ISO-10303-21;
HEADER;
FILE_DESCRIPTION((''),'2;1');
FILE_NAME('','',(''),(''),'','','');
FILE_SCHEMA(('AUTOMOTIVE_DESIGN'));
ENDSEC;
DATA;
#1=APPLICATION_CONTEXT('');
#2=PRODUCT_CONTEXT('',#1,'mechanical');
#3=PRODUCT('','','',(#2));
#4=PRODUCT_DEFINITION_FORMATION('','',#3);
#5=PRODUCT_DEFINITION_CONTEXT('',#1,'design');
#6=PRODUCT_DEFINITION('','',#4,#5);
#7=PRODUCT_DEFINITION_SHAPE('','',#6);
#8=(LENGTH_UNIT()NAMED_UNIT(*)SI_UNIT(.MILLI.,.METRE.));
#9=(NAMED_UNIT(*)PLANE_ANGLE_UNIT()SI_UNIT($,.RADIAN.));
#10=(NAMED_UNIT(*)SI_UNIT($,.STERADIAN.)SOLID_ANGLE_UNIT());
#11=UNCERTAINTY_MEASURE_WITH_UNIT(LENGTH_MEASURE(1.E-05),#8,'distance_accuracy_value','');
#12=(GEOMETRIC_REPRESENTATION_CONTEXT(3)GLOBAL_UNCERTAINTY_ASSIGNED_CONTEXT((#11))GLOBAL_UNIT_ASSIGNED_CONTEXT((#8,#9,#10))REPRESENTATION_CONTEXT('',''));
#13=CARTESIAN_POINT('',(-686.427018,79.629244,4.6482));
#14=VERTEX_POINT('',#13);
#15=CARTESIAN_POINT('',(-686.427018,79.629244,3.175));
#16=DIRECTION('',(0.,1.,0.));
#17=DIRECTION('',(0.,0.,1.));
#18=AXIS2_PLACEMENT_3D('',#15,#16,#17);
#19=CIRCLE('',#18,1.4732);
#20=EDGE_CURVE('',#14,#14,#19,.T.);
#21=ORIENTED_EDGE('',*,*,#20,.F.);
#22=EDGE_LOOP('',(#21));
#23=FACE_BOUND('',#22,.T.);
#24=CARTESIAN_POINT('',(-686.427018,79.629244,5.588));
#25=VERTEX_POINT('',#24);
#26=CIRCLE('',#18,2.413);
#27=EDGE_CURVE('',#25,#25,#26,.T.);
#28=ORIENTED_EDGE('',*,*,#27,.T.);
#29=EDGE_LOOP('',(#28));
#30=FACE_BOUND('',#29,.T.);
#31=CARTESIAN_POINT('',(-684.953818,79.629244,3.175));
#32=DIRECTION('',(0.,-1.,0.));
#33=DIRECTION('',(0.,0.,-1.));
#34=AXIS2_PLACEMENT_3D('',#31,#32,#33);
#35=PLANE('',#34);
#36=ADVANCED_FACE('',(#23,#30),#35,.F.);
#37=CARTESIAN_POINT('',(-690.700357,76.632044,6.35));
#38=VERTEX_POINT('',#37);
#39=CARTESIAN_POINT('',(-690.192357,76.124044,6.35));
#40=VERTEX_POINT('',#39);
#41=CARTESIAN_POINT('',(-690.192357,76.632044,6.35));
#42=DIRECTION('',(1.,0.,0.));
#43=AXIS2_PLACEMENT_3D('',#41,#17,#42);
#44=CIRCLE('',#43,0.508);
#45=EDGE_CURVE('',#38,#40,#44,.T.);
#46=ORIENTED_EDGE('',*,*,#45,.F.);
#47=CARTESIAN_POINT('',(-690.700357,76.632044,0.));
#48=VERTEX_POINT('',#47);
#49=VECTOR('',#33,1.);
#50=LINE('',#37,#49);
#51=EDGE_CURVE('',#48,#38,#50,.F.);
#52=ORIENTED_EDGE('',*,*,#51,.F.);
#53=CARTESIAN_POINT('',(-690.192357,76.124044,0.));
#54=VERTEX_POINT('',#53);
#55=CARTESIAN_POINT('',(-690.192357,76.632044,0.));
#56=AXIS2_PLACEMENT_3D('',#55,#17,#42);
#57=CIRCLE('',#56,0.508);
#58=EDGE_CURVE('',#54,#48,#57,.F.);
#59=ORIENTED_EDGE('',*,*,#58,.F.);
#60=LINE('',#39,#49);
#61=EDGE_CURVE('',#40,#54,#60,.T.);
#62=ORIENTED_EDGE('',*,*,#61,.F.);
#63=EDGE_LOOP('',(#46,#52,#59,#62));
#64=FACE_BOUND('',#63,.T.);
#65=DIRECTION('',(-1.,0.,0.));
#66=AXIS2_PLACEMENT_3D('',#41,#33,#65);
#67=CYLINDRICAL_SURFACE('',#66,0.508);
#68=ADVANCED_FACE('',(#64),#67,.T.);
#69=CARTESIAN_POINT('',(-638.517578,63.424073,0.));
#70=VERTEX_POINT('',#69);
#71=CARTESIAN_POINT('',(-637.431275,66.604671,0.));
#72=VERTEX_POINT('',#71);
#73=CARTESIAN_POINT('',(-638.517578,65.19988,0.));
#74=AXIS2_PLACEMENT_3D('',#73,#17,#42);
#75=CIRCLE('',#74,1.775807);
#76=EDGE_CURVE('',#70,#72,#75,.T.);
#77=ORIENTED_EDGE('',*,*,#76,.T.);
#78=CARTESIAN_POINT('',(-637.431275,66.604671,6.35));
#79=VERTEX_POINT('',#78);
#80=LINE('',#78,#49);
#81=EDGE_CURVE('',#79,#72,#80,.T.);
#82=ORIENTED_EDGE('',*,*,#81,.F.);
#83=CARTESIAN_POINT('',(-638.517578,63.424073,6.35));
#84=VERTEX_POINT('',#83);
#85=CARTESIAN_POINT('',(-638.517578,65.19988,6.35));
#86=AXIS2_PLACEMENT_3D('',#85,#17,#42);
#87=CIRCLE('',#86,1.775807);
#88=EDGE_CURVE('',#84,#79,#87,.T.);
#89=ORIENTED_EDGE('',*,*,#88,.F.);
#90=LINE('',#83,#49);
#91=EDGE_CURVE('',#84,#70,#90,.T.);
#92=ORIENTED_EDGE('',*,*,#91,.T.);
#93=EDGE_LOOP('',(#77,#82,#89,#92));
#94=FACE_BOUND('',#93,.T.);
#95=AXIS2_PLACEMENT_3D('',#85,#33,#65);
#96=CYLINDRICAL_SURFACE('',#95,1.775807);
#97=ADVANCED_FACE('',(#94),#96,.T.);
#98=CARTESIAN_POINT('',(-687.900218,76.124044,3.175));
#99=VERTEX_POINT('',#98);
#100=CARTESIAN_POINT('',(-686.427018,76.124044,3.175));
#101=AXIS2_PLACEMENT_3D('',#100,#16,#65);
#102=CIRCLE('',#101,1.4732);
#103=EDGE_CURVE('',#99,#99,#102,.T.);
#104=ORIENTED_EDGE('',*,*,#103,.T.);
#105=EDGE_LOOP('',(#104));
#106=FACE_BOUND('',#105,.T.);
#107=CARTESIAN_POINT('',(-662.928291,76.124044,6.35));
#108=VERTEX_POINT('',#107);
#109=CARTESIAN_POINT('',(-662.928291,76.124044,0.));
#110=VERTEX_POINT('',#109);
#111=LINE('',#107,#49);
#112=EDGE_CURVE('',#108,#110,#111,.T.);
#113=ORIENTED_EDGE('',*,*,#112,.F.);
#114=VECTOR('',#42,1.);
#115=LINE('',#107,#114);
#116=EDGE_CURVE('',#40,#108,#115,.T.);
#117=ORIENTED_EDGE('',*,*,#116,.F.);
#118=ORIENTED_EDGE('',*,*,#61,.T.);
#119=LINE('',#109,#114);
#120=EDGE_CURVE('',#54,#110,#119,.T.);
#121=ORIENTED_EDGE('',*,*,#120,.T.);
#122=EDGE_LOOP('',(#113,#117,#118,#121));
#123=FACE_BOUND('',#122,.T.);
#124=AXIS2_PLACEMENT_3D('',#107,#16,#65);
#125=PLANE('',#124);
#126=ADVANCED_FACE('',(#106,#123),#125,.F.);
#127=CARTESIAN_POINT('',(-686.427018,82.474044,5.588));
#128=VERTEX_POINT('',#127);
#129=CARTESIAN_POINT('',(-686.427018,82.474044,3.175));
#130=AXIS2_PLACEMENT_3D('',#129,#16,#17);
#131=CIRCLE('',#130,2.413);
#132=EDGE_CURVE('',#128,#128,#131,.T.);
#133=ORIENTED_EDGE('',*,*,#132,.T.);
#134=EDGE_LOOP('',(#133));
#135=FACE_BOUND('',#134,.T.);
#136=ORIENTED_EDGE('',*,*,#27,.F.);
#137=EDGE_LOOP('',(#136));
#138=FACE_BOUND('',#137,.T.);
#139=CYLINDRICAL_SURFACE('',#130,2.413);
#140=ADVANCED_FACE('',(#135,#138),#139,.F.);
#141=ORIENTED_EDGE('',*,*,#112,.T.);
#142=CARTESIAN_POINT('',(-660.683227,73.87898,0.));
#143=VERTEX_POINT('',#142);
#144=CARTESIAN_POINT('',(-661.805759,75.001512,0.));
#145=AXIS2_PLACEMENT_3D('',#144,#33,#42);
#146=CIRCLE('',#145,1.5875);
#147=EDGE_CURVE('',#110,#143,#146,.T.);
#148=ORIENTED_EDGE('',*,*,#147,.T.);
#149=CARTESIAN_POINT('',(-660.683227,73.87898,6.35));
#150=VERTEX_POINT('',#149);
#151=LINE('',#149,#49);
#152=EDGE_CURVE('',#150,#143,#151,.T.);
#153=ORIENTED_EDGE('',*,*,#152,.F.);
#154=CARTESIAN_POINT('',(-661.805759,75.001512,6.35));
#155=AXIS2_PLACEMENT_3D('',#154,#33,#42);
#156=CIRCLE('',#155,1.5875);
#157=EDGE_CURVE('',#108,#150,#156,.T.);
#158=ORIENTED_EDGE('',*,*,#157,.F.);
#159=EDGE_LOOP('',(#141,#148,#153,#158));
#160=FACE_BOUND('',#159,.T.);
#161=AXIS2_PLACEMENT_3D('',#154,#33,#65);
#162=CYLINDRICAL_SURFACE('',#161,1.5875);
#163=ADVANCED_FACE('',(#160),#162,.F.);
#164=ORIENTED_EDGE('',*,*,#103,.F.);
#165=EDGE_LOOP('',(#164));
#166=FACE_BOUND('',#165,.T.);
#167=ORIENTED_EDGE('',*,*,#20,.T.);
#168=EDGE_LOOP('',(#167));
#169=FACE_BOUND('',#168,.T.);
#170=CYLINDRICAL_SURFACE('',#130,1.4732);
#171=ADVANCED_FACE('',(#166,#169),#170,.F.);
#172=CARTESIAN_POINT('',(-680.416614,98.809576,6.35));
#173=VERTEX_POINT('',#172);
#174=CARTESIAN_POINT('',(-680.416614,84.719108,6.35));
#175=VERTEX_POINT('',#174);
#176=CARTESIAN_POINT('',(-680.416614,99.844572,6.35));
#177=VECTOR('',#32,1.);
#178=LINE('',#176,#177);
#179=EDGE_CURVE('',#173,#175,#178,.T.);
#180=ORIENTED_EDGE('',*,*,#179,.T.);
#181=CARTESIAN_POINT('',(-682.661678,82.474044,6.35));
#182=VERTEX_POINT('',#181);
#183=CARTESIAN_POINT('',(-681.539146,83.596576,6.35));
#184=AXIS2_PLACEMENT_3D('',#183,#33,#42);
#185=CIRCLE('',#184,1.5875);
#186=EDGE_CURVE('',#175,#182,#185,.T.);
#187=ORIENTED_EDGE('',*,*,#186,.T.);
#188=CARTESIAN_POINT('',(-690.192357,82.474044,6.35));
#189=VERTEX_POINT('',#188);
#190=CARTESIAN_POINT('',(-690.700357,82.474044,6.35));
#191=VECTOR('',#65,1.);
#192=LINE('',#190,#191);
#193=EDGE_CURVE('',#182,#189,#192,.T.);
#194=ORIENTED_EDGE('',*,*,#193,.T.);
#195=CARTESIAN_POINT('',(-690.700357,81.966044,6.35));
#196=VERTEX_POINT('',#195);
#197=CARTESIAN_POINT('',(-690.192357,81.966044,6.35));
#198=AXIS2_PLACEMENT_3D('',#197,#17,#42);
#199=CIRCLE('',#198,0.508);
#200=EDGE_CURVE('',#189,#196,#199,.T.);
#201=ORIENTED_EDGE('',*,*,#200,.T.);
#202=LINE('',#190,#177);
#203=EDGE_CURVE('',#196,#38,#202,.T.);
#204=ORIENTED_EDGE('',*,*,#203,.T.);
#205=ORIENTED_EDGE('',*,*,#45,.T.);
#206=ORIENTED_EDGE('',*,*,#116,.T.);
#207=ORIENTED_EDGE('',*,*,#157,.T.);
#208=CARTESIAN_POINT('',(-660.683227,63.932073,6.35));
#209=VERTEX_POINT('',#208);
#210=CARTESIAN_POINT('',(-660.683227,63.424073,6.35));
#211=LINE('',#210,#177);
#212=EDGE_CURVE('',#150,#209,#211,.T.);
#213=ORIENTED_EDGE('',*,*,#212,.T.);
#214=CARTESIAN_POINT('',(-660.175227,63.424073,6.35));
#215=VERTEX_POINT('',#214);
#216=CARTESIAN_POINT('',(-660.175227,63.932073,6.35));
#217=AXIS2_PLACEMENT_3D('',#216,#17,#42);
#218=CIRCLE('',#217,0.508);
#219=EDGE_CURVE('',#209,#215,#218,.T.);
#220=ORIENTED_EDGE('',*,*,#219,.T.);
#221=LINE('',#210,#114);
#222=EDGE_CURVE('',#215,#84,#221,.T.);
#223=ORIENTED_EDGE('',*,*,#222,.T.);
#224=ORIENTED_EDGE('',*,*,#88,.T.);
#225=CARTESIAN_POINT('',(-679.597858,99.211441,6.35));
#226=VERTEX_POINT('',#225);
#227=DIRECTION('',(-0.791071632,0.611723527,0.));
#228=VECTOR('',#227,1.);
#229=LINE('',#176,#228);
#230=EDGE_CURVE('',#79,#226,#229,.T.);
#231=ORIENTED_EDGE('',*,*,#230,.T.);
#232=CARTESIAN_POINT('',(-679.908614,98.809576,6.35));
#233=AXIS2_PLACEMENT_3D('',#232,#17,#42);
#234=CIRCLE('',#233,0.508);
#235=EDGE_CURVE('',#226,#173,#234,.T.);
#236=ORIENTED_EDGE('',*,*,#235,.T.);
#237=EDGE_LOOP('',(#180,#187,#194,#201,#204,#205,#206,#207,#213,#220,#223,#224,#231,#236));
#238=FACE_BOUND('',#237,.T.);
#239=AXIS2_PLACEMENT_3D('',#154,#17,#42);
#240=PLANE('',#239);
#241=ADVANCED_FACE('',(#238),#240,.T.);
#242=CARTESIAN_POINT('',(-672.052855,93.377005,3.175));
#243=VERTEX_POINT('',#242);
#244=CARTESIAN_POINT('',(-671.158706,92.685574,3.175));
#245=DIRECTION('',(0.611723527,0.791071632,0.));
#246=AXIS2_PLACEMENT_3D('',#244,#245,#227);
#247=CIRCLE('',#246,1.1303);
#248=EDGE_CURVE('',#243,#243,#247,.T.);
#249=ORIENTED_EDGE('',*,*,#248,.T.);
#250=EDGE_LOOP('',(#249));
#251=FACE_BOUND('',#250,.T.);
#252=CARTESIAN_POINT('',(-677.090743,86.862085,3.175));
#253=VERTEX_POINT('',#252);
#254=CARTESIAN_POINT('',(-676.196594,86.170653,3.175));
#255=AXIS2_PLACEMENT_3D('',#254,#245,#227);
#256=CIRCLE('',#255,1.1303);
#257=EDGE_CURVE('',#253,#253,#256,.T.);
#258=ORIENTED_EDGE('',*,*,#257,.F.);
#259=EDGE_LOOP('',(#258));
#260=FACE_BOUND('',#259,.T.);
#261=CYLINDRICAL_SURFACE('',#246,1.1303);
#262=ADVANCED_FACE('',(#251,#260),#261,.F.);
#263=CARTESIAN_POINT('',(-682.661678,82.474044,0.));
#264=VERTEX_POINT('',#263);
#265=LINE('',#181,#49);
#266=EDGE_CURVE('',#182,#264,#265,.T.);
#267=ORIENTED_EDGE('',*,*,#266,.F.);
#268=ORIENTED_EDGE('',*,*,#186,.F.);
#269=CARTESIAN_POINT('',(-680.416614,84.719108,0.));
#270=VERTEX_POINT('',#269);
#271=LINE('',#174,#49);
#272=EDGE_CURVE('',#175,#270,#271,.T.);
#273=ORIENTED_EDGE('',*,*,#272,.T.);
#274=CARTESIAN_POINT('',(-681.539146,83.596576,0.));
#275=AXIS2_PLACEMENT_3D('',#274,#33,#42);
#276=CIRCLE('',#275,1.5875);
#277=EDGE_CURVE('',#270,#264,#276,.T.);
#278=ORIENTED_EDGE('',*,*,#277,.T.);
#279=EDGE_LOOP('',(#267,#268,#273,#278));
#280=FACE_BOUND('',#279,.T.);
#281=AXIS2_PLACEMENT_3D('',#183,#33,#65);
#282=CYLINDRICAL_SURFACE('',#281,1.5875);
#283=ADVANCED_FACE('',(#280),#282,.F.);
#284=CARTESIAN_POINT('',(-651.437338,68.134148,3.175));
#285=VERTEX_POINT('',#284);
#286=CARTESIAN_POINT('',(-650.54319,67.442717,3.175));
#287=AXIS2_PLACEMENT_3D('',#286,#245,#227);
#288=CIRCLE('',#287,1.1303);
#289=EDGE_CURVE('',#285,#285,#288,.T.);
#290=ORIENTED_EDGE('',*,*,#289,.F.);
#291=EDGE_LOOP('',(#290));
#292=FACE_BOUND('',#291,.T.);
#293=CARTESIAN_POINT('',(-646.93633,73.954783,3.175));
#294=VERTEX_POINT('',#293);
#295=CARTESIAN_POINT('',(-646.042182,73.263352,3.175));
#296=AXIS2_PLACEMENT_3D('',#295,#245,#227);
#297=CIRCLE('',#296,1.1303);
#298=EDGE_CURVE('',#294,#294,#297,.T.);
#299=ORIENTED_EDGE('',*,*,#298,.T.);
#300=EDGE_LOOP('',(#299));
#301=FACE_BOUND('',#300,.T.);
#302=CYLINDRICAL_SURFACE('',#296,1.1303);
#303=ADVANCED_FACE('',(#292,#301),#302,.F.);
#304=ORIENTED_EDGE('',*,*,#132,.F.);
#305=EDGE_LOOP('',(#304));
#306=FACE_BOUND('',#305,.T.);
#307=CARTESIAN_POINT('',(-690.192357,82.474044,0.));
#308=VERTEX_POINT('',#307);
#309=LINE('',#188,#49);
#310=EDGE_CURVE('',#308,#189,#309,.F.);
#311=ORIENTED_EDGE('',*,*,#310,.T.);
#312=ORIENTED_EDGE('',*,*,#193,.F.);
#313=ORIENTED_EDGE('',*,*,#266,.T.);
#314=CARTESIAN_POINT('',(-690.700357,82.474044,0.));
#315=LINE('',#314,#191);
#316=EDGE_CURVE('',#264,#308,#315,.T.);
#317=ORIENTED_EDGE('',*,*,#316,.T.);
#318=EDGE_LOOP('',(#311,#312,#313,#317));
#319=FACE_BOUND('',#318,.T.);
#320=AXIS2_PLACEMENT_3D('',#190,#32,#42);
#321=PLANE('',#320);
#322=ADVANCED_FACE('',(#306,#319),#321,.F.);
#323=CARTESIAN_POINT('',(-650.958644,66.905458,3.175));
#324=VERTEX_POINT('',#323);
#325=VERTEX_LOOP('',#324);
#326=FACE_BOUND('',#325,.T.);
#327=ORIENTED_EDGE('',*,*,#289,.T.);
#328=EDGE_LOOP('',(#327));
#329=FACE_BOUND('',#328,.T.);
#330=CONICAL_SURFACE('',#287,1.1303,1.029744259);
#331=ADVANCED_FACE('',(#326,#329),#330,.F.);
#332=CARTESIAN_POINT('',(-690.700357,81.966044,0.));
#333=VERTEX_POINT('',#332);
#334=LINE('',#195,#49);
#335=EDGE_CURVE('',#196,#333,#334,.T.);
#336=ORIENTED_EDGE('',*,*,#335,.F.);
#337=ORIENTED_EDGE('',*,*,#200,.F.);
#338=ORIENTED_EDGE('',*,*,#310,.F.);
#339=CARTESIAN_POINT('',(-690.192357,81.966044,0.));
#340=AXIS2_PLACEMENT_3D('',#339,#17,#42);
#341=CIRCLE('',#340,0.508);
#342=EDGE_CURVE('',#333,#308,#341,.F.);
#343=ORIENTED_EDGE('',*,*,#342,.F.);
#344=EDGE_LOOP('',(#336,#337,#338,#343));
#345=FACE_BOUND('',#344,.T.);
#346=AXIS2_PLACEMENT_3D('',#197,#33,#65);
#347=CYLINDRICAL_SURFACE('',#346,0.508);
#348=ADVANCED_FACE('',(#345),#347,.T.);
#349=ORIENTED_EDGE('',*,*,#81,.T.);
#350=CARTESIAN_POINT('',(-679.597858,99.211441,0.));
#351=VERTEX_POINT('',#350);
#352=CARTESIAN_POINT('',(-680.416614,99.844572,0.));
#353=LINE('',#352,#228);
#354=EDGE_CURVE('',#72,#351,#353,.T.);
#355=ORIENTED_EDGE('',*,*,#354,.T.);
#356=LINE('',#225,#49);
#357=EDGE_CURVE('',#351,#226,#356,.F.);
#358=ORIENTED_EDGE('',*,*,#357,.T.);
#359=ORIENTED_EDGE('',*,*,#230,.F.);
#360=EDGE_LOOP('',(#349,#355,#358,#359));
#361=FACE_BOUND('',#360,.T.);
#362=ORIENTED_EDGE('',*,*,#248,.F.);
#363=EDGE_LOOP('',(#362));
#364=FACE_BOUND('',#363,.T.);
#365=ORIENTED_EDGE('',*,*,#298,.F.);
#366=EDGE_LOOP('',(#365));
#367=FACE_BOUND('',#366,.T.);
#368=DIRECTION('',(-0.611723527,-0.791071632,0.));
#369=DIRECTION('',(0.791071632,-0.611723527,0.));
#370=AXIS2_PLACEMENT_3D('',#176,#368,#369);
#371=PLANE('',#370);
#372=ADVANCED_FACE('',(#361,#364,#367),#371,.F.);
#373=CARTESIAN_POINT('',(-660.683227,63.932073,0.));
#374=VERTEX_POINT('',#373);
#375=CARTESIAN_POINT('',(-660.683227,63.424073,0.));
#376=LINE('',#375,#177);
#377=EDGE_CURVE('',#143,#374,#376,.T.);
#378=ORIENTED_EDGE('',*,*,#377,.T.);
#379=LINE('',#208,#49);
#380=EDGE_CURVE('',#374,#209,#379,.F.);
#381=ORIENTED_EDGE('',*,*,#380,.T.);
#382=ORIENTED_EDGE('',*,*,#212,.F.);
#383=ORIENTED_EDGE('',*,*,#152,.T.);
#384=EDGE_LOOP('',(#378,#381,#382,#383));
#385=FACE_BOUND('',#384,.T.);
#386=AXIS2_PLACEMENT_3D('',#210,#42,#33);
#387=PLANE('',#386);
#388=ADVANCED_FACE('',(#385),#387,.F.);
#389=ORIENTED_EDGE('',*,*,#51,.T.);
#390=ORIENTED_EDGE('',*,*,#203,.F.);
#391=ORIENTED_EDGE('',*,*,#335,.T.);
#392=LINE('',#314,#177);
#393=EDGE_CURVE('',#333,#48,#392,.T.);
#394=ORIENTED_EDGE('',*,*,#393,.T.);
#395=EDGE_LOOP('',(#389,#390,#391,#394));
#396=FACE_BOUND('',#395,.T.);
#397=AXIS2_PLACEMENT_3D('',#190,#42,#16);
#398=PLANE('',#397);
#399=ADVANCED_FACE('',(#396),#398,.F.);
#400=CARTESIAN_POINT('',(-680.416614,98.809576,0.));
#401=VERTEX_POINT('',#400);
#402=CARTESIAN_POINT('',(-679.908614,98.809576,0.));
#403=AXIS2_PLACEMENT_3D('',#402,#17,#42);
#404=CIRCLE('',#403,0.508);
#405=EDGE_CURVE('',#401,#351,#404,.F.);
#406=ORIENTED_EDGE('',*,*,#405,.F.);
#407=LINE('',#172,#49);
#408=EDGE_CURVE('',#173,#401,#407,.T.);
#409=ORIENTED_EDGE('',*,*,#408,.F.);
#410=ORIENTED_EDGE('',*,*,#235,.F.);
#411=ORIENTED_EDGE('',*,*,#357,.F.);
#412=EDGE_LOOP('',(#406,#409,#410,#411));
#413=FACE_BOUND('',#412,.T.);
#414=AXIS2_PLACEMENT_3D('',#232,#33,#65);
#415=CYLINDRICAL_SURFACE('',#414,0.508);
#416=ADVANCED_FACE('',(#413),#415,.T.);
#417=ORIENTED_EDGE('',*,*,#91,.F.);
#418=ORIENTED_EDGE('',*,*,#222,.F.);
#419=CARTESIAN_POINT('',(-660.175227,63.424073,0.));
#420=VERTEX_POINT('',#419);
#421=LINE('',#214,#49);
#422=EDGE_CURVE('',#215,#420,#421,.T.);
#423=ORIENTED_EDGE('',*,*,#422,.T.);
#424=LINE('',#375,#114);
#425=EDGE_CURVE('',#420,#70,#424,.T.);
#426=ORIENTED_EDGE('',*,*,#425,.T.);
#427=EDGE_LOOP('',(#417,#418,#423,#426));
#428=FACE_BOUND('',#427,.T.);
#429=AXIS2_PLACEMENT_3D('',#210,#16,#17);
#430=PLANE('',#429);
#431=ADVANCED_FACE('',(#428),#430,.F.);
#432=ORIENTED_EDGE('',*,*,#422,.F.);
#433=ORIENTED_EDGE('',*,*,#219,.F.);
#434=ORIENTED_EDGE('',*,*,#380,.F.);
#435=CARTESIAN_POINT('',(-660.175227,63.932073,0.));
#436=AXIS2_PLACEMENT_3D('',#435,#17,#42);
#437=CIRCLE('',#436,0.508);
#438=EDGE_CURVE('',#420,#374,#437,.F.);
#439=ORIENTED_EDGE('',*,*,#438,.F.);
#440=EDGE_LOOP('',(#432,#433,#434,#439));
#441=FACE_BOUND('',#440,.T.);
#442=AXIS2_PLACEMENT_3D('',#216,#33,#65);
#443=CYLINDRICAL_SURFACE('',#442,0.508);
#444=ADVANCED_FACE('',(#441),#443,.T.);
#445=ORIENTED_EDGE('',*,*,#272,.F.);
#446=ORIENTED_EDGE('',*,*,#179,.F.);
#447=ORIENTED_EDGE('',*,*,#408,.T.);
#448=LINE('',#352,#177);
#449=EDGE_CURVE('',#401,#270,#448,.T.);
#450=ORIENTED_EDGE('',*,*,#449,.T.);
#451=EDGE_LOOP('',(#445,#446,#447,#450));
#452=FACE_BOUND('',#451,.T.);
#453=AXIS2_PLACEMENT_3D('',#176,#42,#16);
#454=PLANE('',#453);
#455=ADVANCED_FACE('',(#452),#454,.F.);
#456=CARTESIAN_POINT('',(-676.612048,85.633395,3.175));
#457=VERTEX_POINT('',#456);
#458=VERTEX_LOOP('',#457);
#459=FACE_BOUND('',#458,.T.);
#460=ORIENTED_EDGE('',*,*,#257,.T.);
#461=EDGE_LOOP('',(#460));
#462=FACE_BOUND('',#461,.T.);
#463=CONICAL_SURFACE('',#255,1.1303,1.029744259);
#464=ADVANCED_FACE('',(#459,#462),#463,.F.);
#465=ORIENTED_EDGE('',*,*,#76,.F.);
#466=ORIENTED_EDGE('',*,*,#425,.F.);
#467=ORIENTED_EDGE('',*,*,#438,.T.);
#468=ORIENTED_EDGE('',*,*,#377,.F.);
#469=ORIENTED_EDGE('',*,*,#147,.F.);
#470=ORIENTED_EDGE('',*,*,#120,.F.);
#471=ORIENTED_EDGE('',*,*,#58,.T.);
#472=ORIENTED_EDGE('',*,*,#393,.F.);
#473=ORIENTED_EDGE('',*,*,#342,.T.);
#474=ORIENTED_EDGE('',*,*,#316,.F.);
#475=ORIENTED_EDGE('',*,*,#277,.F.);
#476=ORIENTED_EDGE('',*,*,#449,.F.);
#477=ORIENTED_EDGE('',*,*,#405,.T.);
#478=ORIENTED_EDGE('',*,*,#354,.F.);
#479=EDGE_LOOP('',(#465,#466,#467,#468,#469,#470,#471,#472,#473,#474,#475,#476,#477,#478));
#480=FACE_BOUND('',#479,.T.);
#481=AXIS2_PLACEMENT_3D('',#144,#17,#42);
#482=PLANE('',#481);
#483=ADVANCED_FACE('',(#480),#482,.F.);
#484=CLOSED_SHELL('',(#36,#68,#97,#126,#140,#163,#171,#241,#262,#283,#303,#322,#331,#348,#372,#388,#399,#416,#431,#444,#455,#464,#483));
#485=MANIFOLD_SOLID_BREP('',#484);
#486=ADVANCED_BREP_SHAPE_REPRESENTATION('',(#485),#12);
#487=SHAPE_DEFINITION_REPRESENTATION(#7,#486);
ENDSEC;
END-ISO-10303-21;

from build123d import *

# Parameters (mm, degrees)
BOSS_EXTRUDE1_DEPTH                            = 6.35
FILLET1_R                                      = 0.508
CBORE_FOR_4_SOCKET_HEAD_CAP_SCREW1_D           = 2.9464
CBORE_FOR_4_SOCKET_HEAD_CAP_SCREW1_CBORE_D     = 4.826
CBORE_FOR_4_SOCKET_HEAD_CAP_SCREW1_CBORE_DEPTH = 2.8448
TAP_DRILL_FOR_4_40_TAP1_D                      = 2.2606
TAP_DRILL_FOR_4_40_TAP1_DEPTH                  = 7.357911993
TAP_DRILL_FOR_4_40_TAP1_TIP                    = 0.679152758
TAP_DRILL_FOR_4_40_TAP2_D                      = 2.2606
TAP_DRILL_FOR_4_40_TAP2_DEPTH                  = 8.235563733
TAP_DRILL_FOR_4_40_TAP2_TIP                    = 0.679152758


with BuildPart() as part:
    # Model → Boss-Extrude1 (new body)
    with BuildSketch(Plane.XY):
        with BuildLine():
            Line((-662.928291328, 76.124043703), (-690.700357042, 76.124043703))
            Line((-690.700357042, 76.124043703), (-690.700357042, 82.474043703))
            Line((-690.700357042, 82.474043703), (-682.661678057, 82.474043703))
            ThreePointArc((-682.661678057, 82.474043703), (-680.416614026, 82.474043703), (-680.416614026, 84.719107734))
            Line((-680.416614026, 84.719107734), (-680.416614026, 99.844571929))
            Line((-680.416614026, 99.844571929), (-637.431275221, 66.6046705))
            ThreePointArc((-637.431275221, 66.6046705), (-636.837083068, 64.625922801), (-638.517578145, 63.42407295))
            Line((-638.517578145, 63.42407295), (-660.683227297, 63.42407295))
            Line((-660.683227297, 63.42407295), (-660.683227297, 73.878979673))
            ThreePointArc((-660.683227297, 73.878979673), (-660.683227297, 76.124043703), (-662.928291328, 76.124043703))
        make_face()
    extrude(amount=BOSS_EXTRUDE1_DEPTH)

    # Fillet1
    fillet1_edges = [part.edges().sort_by_distance(p)[0] for p in [
        (-690.700357042, 76.124043703, 3.175),
        (-690.700357042, 82.474043703, 3.175),
        (-680.416614026, 99.844571929, 3.175),
        (-660.683227297, 63.42407295, 3.175),
    ]]
    fillet(fillet1_edges, radius=FILLET1_R)

    # CBORE for #4 Socket Head Cap Screw1 (through all)
    with Locations(Plane(origin=(0, 82.474043703, 0), x_dir=(1, 0, 0), z_dir=(0, 1, 0))):
        with Locations((-686.427017549, -3.175)):
            CounterBoreHole(CBORE_FOR_4_SOCKET_HEAD_CAP_SCREW1_D / 2, CBORE_FOR_4_SOCKET_HEAD_CAP_SCREW1_CBORE_D / 2, CBORE_FOR_4_SOCKET_HEAD_CAP_SCREW1_CBORE_DEPTH)

    # Tap Drill for #4-40 Tap1
    with Locations(Plane(origin=(-206.299258714, -266.783087499, 0), x_dir=(0.7910716317479708, -0.6117235269659022, 0), z_dir=(0.6117235269659022, 0.7910716317479708, 0))):
        with Locations((-555.88255935, -3.175)):
            Hole(TAP_DRILL_FOR_4_40_TAP1_D / 2, depth=TAP_DRILL_FOR_4_40_TAP1_DEPTH)
            with Locations((0, 0, -(TAP_DRILL_FOR_4_40_TAP1_DEPTH + TAP_DRILL_FOR_4_40_TAP1_TIP / 2))):  # 118° drill point
                Cone(0, TAP_DRILL_FOR_4_40_TAP1_D / 2, TAP_DRILL_FOR_4_40_TAP1_TIP, mode=Mode.SUBTRACT)

    # Tap Drill for #4-40 Tap2
    with Locations(Plane(origin=(-206.299258714, -266.783087499, 0), x_dir=(0.7910716317479708, -0.6117235269659022, 0), z_dir=(0.6117235269659022, 0.7910716317479708, 0))):
        with Locations((-587.63255935, -3.175)):
            Hole(TAP_DRILL_FOR_4_40_TAP2_D / 2, depth=TAP_DRILL_FOR_4_40_TAP2_DEPTH)
            with Locations((0, 0, -(TAP_DRILL_FOR_4_40_TAP2_DEPTH + TAP_DRILL_FOR_4_40_TAP2_TIP / 2))):  # 118° drill point
                Cone(0, TAP_DRILL_FOR_4_40_TAP2_D / 2, TAP_DRILL_FOR_4_40_TAP2_TIP, mode=Mode.SUBTRACT)


solid = part.part
